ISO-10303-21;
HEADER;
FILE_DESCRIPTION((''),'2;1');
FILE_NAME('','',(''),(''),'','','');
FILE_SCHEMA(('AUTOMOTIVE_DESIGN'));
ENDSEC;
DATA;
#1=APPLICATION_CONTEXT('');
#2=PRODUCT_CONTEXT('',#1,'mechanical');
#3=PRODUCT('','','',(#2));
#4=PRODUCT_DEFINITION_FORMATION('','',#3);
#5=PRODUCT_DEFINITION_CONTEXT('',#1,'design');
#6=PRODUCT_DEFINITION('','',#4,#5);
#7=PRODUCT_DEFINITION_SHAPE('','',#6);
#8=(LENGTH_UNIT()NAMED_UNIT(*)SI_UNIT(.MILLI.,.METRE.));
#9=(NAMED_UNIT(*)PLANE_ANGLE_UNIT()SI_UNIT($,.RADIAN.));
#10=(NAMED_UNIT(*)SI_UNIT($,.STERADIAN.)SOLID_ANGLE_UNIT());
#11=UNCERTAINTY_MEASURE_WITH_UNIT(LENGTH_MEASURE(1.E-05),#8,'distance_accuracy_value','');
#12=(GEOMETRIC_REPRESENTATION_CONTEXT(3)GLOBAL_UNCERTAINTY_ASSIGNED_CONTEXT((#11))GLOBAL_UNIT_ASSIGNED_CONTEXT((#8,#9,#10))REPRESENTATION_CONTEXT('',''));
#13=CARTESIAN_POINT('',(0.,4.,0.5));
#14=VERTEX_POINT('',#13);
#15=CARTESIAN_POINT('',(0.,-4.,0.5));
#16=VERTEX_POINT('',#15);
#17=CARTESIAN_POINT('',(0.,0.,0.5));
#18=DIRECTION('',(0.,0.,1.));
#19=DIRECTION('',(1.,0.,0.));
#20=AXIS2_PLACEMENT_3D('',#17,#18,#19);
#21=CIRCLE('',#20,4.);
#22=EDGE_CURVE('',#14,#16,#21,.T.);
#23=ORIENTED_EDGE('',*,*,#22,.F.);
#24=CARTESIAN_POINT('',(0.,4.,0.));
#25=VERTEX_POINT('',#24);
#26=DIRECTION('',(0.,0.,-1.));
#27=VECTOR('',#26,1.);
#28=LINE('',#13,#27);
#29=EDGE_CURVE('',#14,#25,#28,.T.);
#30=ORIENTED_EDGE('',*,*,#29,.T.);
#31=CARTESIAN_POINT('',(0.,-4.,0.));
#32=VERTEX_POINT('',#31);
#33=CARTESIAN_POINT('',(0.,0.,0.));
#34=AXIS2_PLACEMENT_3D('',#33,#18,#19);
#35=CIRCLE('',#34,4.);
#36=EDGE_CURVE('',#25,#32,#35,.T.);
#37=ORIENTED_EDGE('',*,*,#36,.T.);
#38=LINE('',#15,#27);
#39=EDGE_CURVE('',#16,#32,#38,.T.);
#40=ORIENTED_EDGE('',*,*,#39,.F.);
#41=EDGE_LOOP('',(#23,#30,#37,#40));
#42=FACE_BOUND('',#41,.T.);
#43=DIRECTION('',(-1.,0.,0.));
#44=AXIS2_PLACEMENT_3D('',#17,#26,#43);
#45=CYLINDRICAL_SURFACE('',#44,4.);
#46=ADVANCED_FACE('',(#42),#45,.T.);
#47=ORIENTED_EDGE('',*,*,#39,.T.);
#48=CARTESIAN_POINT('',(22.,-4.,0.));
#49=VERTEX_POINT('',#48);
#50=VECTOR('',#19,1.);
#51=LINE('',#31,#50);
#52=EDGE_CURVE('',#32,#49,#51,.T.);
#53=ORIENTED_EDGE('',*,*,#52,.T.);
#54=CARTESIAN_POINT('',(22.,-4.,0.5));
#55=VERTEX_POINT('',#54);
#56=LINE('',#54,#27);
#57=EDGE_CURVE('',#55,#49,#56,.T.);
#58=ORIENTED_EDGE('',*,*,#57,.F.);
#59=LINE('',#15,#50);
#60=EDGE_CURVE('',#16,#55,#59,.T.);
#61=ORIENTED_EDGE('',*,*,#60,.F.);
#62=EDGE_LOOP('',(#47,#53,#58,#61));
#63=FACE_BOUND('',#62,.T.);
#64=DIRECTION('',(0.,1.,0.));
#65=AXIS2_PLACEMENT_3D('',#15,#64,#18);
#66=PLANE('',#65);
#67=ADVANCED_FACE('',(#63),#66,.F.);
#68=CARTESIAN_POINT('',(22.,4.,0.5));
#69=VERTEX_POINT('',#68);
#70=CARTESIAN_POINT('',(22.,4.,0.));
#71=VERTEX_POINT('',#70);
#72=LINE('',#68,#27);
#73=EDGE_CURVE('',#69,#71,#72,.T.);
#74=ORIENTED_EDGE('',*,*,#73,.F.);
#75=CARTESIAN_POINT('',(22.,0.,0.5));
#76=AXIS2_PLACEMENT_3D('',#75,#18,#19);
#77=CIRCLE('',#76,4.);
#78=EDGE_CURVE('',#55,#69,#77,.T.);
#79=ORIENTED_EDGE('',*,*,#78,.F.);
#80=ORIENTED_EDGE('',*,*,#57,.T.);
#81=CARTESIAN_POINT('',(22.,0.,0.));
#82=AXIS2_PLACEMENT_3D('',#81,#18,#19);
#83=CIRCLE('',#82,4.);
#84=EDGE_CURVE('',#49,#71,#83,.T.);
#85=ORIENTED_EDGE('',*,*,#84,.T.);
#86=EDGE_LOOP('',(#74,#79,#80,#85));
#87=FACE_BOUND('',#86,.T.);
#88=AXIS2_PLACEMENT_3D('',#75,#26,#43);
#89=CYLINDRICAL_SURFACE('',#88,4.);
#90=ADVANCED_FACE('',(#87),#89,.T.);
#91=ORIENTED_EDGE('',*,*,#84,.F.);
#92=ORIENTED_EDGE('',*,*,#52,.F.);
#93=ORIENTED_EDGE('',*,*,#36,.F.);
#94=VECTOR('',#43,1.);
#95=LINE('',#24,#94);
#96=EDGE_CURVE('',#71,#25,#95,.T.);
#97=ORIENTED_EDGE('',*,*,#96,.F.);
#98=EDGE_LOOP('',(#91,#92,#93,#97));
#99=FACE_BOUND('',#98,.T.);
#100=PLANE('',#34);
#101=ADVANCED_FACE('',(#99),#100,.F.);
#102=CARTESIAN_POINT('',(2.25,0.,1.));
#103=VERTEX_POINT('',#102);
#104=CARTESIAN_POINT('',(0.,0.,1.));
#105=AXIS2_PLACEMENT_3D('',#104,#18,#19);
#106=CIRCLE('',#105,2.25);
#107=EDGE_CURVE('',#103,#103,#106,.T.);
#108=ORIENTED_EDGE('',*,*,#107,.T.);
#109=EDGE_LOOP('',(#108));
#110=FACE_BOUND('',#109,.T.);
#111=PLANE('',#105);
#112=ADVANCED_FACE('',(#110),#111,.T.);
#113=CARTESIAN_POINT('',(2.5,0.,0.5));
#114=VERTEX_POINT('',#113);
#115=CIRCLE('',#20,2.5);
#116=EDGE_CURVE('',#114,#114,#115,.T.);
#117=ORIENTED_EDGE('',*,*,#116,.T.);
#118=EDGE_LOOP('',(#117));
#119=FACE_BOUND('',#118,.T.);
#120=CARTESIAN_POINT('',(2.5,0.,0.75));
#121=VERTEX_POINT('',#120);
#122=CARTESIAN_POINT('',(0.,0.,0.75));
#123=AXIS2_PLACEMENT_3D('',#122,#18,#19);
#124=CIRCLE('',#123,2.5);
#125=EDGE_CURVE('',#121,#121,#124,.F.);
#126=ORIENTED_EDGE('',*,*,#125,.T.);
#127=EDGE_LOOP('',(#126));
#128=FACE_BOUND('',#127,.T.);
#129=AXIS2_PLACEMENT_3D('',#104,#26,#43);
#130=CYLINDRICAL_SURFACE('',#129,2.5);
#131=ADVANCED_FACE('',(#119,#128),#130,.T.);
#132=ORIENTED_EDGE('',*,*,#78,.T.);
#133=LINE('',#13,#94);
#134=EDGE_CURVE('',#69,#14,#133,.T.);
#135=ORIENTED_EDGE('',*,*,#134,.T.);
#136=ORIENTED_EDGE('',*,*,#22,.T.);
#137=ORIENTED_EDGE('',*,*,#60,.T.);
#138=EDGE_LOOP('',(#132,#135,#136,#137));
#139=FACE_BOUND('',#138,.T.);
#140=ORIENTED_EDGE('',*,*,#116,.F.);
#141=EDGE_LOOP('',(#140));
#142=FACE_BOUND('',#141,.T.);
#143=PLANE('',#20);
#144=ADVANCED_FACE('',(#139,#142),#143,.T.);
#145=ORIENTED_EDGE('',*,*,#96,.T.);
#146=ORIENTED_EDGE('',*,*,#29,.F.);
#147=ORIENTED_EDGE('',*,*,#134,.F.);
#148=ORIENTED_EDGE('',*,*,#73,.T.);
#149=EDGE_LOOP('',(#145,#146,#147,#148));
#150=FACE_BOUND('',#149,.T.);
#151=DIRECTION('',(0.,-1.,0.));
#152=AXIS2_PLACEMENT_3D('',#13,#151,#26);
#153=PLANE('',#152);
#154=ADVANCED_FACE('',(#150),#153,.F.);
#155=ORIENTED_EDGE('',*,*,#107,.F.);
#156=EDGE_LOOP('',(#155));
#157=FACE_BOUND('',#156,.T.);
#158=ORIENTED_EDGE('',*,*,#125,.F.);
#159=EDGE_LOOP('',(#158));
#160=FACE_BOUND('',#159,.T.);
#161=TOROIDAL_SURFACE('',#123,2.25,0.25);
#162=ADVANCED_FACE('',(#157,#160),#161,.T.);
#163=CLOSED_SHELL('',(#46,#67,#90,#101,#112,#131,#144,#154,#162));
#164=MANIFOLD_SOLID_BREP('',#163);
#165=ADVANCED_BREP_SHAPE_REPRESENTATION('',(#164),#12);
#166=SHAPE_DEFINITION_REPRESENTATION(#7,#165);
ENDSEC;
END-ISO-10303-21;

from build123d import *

# Parameters (mm, degrees)
EXTRUDE_1_DEPTH = 0.5
SKETCH_2_R      = 2.5
EXTRUDE_2_DEPTH = 0.5
FILLET_1_R      = 0.25


with BuildPart() as part:
    # 草图1 → 凸台-拉伸1 (new body)
    with BuildSketch(Plane.XY):
        with BuildLine():
            Line((0, 4), (22, 4))
            ThreePointArc((22, 4), (26, 0), (22, -4))
            Line((22, -4), (0, -4))
            ThreePointArc((0, -4), (-4, 0), (0, 4))
        make_face()
    extrude(amount=EXTRUDE_1_DEPTH)

    # 草图2 → 凸台-拉伸2 (add)
    with BuildSketch(Plane.XY.offset(0.5)):
        Circle(SKETCH_2_R)
    extrude(amount=EXTRUDE_2_DEPTH)

    # 圆角1
    fillet_1_edges = [part.edges().sort_by_distance(p)[0] for p in [
        (-2.5, 0, 1),
    ]]
    fillet(fillet_1_edges, radius=FILLET_1_R)


solid = part.part
